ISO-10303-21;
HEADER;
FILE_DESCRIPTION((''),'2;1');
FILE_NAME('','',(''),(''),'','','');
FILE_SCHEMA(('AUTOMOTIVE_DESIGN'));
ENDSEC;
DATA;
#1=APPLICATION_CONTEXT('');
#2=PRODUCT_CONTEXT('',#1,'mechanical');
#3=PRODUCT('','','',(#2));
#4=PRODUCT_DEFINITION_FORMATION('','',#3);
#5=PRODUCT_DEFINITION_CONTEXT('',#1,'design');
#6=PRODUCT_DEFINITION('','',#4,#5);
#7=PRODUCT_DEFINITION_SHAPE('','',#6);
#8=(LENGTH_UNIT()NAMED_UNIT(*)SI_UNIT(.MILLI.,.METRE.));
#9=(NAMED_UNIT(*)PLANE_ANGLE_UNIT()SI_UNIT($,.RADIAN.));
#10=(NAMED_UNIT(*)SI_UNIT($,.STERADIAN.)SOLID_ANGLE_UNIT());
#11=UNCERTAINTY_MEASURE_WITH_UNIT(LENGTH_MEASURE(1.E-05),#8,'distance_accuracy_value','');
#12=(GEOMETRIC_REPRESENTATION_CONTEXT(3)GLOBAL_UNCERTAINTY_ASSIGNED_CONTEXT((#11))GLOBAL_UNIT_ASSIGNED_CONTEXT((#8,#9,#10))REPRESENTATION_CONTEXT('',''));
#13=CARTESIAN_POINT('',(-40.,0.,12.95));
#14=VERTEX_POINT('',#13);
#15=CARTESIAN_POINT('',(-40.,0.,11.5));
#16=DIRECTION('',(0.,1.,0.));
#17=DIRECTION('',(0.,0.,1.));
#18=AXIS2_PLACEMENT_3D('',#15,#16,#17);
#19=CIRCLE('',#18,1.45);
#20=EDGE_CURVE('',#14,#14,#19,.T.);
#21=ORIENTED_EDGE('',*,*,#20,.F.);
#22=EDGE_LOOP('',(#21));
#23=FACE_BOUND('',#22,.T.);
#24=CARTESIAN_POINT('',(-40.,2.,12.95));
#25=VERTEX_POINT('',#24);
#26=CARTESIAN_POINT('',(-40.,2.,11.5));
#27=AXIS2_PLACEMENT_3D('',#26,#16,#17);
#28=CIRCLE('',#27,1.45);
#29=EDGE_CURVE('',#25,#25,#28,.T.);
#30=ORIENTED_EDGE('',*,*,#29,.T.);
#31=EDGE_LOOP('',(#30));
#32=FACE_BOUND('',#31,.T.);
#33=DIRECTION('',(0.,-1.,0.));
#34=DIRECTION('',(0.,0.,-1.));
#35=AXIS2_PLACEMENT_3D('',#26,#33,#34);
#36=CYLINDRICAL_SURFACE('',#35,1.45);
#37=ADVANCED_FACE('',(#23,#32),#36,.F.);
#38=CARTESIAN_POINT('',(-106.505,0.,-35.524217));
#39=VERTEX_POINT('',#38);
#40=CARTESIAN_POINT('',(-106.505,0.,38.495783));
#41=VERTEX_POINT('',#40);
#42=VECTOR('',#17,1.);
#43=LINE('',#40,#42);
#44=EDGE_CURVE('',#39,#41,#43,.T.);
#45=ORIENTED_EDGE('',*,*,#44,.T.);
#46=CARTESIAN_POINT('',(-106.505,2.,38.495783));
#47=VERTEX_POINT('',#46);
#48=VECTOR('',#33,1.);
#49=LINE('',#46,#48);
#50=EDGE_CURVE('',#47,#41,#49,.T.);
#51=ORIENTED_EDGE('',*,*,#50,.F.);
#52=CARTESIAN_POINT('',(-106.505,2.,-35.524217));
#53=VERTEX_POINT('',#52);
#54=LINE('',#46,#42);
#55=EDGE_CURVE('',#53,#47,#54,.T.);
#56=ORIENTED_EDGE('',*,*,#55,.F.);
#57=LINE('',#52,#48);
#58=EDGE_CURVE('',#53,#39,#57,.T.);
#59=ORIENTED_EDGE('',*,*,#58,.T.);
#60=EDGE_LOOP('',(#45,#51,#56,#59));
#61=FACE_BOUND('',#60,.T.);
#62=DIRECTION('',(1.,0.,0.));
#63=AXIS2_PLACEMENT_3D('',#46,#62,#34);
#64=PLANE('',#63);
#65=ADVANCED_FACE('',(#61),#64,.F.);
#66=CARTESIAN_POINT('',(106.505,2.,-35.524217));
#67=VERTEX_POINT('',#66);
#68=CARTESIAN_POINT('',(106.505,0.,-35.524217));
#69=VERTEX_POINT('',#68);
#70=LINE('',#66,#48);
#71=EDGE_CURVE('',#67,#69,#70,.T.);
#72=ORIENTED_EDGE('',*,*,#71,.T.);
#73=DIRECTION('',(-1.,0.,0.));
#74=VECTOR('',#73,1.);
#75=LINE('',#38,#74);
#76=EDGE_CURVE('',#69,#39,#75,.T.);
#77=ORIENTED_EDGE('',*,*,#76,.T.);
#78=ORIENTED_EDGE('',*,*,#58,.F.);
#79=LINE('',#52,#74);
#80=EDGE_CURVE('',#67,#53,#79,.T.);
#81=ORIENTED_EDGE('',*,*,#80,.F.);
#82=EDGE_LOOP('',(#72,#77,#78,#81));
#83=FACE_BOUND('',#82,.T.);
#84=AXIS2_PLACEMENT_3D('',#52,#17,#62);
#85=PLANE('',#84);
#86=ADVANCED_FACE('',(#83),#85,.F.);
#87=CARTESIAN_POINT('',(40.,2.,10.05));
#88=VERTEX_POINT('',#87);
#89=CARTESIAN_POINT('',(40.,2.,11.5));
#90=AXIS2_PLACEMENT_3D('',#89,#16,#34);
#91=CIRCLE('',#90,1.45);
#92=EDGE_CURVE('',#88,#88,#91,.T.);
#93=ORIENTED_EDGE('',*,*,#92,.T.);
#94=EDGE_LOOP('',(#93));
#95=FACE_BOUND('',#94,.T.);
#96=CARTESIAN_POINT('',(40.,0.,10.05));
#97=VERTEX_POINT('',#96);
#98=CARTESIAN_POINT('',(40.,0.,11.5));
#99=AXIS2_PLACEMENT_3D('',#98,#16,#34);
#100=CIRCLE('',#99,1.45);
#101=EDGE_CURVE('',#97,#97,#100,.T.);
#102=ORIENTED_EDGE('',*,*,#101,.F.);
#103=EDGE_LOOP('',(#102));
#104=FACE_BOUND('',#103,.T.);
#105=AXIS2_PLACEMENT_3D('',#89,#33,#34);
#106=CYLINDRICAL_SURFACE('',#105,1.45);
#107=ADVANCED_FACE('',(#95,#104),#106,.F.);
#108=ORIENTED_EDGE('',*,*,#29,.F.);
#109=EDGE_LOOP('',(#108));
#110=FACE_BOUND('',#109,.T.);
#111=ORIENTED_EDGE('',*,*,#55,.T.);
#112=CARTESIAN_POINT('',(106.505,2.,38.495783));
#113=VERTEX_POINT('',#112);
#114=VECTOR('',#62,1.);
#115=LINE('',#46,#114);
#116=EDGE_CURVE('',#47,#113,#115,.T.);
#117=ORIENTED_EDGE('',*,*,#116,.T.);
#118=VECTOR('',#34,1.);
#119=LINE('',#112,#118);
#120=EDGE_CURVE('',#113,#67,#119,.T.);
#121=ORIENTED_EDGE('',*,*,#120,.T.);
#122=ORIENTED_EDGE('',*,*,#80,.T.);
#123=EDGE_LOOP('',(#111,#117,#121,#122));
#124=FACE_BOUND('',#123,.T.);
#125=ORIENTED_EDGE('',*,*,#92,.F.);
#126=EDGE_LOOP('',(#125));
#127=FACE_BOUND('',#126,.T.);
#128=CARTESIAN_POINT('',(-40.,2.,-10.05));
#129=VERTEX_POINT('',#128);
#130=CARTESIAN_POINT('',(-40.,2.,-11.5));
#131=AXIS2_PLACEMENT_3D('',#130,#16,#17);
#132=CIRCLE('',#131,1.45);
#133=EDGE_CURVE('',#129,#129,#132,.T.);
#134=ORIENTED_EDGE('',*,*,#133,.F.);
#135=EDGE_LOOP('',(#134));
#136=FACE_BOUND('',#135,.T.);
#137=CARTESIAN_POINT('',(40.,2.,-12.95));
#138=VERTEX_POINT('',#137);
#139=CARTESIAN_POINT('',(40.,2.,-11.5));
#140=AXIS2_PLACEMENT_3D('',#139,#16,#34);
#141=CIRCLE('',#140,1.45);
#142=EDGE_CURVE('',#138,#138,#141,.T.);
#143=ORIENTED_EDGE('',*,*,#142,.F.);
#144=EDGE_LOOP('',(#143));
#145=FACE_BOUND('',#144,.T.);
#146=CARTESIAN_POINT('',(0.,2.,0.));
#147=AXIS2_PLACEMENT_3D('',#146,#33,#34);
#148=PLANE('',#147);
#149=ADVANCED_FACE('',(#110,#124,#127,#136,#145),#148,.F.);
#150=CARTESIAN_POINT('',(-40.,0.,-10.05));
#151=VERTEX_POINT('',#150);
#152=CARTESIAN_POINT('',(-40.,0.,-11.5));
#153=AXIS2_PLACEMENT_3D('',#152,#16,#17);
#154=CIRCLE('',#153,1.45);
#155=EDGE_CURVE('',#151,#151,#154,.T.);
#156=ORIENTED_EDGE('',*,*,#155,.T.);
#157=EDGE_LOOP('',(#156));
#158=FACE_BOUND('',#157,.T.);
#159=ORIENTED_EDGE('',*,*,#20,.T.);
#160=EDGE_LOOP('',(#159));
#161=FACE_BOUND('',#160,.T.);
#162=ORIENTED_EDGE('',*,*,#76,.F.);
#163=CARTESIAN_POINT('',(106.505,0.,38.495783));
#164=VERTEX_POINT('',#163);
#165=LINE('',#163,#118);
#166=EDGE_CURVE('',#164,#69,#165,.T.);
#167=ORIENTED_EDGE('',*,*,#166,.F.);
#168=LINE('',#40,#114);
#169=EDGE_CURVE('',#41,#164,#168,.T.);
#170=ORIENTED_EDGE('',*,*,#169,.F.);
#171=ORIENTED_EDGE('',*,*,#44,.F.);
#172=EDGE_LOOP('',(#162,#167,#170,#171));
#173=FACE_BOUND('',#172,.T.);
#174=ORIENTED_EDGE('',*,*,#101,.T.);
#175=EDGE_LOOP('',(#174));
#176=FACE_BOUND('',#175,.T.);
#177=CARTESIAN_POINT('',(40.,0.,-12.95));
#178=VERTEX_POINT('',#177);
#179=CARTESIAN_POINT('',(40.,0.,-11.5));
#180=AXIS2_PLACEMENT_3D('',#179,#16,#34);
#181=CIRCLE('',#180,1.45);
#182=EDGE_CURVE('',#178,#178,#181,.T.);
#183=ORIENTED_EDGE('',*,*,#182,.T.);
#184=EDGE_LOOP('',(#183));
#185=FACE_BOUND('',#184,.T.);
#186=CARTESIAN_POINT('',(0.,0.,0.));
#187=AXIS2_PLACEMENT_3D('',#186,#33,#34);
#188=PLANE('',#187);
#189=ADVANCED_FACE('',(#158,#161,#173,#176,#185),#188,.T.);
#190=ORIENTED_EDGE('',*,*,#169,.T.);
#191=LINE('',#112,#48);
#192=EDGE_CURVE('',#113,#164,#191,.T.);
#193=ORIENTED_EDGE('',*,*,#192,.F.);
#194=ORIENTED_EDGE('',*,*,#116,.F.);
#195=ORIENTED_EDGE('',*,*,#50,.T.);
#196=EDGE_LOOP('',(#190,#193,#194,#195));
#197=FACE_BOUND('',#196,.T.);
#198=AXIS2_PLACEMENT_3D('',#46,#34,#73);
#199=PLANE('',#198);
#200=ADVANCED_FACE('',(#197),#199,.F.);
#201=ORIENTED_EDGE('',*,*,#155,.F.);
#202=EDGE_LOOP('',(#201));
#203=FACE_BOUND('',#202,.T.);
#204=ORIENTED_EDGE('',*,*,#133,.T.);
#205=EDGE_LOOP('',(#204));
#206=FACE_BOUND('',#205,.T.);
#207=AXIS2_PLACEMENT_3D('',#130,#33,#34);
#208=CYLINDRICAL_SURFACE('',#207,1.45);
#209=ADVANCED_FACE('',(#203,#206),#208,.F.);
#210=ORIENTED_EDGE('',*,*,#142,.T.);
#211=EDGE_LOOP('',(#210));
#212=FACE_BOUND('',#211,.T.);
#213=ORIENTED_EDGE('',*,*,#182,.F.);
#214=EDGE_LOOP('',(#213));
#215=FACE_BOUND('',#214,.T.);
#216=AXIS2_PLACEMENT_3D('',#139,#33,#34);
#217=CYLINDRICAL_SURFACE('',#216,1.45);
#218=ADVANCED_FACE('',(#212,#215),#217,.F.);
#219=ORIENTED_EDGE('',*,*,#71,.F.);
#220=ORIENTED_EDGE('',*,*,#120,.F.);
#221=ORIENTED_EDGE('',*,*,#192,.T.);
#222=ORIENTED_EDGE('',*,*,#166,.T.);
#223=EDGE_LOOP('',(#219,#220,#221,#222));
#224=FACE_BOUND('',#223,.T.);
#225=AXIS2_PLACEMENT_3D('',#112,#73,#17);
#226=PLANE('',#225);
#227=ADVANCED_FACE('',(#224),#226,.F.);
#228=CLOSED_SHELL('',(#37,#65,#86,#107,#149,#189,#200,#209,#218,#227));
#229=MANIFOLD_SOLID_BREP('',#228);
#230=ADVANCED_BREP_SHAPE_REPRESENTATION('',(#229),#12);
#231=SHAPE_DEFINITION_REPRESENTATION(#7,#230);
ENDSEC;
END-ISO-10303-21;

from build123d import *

# Parameters (mm, degrees)
SKETCH1_W           = 213.01
SKETCH1_H           = 74.02
SKETCH1_R           = 1.45
BOSS_EXTRUDE1_DEPTH = 2


with BuildPart() as part:
    # Sketch1 → Boss-Extrude1 (new body)
    with BuildSketch(Plane(origin=(0, 0, 0), x_dir=(1, 0, 0), z_dir=(0, 1, 0))):
        with Locations((0, -1.485783133)):
            Rectangle(SKETCH1_W, SKETCH1_H)
        with Locations(Location((-40, 11.5, 0), (0, 0, 270))):
            Circle(SKETCH1_R, mode=Mode.SUBTRACT)
        with Locations(Location((-40, -11.5, 0), (0, 0, 270))):
            Circle(SKETCH1_R, mode=Mode.SUBTRACT)
        with Locations(Location((40, -11.5, 0), (0, 0, 90))):
            Circle(SKETCH1_R, mode=Mode.SUBTRACT)
        with Locations(Location((40, 11.5, 0), (0, 0, 90))):
            Circle(SKETCH1_R, mode=Mode.SUBTRACT)
    extrude(amount=BOSS_EXTRUDE1_DEPTH)


solid = part.part
